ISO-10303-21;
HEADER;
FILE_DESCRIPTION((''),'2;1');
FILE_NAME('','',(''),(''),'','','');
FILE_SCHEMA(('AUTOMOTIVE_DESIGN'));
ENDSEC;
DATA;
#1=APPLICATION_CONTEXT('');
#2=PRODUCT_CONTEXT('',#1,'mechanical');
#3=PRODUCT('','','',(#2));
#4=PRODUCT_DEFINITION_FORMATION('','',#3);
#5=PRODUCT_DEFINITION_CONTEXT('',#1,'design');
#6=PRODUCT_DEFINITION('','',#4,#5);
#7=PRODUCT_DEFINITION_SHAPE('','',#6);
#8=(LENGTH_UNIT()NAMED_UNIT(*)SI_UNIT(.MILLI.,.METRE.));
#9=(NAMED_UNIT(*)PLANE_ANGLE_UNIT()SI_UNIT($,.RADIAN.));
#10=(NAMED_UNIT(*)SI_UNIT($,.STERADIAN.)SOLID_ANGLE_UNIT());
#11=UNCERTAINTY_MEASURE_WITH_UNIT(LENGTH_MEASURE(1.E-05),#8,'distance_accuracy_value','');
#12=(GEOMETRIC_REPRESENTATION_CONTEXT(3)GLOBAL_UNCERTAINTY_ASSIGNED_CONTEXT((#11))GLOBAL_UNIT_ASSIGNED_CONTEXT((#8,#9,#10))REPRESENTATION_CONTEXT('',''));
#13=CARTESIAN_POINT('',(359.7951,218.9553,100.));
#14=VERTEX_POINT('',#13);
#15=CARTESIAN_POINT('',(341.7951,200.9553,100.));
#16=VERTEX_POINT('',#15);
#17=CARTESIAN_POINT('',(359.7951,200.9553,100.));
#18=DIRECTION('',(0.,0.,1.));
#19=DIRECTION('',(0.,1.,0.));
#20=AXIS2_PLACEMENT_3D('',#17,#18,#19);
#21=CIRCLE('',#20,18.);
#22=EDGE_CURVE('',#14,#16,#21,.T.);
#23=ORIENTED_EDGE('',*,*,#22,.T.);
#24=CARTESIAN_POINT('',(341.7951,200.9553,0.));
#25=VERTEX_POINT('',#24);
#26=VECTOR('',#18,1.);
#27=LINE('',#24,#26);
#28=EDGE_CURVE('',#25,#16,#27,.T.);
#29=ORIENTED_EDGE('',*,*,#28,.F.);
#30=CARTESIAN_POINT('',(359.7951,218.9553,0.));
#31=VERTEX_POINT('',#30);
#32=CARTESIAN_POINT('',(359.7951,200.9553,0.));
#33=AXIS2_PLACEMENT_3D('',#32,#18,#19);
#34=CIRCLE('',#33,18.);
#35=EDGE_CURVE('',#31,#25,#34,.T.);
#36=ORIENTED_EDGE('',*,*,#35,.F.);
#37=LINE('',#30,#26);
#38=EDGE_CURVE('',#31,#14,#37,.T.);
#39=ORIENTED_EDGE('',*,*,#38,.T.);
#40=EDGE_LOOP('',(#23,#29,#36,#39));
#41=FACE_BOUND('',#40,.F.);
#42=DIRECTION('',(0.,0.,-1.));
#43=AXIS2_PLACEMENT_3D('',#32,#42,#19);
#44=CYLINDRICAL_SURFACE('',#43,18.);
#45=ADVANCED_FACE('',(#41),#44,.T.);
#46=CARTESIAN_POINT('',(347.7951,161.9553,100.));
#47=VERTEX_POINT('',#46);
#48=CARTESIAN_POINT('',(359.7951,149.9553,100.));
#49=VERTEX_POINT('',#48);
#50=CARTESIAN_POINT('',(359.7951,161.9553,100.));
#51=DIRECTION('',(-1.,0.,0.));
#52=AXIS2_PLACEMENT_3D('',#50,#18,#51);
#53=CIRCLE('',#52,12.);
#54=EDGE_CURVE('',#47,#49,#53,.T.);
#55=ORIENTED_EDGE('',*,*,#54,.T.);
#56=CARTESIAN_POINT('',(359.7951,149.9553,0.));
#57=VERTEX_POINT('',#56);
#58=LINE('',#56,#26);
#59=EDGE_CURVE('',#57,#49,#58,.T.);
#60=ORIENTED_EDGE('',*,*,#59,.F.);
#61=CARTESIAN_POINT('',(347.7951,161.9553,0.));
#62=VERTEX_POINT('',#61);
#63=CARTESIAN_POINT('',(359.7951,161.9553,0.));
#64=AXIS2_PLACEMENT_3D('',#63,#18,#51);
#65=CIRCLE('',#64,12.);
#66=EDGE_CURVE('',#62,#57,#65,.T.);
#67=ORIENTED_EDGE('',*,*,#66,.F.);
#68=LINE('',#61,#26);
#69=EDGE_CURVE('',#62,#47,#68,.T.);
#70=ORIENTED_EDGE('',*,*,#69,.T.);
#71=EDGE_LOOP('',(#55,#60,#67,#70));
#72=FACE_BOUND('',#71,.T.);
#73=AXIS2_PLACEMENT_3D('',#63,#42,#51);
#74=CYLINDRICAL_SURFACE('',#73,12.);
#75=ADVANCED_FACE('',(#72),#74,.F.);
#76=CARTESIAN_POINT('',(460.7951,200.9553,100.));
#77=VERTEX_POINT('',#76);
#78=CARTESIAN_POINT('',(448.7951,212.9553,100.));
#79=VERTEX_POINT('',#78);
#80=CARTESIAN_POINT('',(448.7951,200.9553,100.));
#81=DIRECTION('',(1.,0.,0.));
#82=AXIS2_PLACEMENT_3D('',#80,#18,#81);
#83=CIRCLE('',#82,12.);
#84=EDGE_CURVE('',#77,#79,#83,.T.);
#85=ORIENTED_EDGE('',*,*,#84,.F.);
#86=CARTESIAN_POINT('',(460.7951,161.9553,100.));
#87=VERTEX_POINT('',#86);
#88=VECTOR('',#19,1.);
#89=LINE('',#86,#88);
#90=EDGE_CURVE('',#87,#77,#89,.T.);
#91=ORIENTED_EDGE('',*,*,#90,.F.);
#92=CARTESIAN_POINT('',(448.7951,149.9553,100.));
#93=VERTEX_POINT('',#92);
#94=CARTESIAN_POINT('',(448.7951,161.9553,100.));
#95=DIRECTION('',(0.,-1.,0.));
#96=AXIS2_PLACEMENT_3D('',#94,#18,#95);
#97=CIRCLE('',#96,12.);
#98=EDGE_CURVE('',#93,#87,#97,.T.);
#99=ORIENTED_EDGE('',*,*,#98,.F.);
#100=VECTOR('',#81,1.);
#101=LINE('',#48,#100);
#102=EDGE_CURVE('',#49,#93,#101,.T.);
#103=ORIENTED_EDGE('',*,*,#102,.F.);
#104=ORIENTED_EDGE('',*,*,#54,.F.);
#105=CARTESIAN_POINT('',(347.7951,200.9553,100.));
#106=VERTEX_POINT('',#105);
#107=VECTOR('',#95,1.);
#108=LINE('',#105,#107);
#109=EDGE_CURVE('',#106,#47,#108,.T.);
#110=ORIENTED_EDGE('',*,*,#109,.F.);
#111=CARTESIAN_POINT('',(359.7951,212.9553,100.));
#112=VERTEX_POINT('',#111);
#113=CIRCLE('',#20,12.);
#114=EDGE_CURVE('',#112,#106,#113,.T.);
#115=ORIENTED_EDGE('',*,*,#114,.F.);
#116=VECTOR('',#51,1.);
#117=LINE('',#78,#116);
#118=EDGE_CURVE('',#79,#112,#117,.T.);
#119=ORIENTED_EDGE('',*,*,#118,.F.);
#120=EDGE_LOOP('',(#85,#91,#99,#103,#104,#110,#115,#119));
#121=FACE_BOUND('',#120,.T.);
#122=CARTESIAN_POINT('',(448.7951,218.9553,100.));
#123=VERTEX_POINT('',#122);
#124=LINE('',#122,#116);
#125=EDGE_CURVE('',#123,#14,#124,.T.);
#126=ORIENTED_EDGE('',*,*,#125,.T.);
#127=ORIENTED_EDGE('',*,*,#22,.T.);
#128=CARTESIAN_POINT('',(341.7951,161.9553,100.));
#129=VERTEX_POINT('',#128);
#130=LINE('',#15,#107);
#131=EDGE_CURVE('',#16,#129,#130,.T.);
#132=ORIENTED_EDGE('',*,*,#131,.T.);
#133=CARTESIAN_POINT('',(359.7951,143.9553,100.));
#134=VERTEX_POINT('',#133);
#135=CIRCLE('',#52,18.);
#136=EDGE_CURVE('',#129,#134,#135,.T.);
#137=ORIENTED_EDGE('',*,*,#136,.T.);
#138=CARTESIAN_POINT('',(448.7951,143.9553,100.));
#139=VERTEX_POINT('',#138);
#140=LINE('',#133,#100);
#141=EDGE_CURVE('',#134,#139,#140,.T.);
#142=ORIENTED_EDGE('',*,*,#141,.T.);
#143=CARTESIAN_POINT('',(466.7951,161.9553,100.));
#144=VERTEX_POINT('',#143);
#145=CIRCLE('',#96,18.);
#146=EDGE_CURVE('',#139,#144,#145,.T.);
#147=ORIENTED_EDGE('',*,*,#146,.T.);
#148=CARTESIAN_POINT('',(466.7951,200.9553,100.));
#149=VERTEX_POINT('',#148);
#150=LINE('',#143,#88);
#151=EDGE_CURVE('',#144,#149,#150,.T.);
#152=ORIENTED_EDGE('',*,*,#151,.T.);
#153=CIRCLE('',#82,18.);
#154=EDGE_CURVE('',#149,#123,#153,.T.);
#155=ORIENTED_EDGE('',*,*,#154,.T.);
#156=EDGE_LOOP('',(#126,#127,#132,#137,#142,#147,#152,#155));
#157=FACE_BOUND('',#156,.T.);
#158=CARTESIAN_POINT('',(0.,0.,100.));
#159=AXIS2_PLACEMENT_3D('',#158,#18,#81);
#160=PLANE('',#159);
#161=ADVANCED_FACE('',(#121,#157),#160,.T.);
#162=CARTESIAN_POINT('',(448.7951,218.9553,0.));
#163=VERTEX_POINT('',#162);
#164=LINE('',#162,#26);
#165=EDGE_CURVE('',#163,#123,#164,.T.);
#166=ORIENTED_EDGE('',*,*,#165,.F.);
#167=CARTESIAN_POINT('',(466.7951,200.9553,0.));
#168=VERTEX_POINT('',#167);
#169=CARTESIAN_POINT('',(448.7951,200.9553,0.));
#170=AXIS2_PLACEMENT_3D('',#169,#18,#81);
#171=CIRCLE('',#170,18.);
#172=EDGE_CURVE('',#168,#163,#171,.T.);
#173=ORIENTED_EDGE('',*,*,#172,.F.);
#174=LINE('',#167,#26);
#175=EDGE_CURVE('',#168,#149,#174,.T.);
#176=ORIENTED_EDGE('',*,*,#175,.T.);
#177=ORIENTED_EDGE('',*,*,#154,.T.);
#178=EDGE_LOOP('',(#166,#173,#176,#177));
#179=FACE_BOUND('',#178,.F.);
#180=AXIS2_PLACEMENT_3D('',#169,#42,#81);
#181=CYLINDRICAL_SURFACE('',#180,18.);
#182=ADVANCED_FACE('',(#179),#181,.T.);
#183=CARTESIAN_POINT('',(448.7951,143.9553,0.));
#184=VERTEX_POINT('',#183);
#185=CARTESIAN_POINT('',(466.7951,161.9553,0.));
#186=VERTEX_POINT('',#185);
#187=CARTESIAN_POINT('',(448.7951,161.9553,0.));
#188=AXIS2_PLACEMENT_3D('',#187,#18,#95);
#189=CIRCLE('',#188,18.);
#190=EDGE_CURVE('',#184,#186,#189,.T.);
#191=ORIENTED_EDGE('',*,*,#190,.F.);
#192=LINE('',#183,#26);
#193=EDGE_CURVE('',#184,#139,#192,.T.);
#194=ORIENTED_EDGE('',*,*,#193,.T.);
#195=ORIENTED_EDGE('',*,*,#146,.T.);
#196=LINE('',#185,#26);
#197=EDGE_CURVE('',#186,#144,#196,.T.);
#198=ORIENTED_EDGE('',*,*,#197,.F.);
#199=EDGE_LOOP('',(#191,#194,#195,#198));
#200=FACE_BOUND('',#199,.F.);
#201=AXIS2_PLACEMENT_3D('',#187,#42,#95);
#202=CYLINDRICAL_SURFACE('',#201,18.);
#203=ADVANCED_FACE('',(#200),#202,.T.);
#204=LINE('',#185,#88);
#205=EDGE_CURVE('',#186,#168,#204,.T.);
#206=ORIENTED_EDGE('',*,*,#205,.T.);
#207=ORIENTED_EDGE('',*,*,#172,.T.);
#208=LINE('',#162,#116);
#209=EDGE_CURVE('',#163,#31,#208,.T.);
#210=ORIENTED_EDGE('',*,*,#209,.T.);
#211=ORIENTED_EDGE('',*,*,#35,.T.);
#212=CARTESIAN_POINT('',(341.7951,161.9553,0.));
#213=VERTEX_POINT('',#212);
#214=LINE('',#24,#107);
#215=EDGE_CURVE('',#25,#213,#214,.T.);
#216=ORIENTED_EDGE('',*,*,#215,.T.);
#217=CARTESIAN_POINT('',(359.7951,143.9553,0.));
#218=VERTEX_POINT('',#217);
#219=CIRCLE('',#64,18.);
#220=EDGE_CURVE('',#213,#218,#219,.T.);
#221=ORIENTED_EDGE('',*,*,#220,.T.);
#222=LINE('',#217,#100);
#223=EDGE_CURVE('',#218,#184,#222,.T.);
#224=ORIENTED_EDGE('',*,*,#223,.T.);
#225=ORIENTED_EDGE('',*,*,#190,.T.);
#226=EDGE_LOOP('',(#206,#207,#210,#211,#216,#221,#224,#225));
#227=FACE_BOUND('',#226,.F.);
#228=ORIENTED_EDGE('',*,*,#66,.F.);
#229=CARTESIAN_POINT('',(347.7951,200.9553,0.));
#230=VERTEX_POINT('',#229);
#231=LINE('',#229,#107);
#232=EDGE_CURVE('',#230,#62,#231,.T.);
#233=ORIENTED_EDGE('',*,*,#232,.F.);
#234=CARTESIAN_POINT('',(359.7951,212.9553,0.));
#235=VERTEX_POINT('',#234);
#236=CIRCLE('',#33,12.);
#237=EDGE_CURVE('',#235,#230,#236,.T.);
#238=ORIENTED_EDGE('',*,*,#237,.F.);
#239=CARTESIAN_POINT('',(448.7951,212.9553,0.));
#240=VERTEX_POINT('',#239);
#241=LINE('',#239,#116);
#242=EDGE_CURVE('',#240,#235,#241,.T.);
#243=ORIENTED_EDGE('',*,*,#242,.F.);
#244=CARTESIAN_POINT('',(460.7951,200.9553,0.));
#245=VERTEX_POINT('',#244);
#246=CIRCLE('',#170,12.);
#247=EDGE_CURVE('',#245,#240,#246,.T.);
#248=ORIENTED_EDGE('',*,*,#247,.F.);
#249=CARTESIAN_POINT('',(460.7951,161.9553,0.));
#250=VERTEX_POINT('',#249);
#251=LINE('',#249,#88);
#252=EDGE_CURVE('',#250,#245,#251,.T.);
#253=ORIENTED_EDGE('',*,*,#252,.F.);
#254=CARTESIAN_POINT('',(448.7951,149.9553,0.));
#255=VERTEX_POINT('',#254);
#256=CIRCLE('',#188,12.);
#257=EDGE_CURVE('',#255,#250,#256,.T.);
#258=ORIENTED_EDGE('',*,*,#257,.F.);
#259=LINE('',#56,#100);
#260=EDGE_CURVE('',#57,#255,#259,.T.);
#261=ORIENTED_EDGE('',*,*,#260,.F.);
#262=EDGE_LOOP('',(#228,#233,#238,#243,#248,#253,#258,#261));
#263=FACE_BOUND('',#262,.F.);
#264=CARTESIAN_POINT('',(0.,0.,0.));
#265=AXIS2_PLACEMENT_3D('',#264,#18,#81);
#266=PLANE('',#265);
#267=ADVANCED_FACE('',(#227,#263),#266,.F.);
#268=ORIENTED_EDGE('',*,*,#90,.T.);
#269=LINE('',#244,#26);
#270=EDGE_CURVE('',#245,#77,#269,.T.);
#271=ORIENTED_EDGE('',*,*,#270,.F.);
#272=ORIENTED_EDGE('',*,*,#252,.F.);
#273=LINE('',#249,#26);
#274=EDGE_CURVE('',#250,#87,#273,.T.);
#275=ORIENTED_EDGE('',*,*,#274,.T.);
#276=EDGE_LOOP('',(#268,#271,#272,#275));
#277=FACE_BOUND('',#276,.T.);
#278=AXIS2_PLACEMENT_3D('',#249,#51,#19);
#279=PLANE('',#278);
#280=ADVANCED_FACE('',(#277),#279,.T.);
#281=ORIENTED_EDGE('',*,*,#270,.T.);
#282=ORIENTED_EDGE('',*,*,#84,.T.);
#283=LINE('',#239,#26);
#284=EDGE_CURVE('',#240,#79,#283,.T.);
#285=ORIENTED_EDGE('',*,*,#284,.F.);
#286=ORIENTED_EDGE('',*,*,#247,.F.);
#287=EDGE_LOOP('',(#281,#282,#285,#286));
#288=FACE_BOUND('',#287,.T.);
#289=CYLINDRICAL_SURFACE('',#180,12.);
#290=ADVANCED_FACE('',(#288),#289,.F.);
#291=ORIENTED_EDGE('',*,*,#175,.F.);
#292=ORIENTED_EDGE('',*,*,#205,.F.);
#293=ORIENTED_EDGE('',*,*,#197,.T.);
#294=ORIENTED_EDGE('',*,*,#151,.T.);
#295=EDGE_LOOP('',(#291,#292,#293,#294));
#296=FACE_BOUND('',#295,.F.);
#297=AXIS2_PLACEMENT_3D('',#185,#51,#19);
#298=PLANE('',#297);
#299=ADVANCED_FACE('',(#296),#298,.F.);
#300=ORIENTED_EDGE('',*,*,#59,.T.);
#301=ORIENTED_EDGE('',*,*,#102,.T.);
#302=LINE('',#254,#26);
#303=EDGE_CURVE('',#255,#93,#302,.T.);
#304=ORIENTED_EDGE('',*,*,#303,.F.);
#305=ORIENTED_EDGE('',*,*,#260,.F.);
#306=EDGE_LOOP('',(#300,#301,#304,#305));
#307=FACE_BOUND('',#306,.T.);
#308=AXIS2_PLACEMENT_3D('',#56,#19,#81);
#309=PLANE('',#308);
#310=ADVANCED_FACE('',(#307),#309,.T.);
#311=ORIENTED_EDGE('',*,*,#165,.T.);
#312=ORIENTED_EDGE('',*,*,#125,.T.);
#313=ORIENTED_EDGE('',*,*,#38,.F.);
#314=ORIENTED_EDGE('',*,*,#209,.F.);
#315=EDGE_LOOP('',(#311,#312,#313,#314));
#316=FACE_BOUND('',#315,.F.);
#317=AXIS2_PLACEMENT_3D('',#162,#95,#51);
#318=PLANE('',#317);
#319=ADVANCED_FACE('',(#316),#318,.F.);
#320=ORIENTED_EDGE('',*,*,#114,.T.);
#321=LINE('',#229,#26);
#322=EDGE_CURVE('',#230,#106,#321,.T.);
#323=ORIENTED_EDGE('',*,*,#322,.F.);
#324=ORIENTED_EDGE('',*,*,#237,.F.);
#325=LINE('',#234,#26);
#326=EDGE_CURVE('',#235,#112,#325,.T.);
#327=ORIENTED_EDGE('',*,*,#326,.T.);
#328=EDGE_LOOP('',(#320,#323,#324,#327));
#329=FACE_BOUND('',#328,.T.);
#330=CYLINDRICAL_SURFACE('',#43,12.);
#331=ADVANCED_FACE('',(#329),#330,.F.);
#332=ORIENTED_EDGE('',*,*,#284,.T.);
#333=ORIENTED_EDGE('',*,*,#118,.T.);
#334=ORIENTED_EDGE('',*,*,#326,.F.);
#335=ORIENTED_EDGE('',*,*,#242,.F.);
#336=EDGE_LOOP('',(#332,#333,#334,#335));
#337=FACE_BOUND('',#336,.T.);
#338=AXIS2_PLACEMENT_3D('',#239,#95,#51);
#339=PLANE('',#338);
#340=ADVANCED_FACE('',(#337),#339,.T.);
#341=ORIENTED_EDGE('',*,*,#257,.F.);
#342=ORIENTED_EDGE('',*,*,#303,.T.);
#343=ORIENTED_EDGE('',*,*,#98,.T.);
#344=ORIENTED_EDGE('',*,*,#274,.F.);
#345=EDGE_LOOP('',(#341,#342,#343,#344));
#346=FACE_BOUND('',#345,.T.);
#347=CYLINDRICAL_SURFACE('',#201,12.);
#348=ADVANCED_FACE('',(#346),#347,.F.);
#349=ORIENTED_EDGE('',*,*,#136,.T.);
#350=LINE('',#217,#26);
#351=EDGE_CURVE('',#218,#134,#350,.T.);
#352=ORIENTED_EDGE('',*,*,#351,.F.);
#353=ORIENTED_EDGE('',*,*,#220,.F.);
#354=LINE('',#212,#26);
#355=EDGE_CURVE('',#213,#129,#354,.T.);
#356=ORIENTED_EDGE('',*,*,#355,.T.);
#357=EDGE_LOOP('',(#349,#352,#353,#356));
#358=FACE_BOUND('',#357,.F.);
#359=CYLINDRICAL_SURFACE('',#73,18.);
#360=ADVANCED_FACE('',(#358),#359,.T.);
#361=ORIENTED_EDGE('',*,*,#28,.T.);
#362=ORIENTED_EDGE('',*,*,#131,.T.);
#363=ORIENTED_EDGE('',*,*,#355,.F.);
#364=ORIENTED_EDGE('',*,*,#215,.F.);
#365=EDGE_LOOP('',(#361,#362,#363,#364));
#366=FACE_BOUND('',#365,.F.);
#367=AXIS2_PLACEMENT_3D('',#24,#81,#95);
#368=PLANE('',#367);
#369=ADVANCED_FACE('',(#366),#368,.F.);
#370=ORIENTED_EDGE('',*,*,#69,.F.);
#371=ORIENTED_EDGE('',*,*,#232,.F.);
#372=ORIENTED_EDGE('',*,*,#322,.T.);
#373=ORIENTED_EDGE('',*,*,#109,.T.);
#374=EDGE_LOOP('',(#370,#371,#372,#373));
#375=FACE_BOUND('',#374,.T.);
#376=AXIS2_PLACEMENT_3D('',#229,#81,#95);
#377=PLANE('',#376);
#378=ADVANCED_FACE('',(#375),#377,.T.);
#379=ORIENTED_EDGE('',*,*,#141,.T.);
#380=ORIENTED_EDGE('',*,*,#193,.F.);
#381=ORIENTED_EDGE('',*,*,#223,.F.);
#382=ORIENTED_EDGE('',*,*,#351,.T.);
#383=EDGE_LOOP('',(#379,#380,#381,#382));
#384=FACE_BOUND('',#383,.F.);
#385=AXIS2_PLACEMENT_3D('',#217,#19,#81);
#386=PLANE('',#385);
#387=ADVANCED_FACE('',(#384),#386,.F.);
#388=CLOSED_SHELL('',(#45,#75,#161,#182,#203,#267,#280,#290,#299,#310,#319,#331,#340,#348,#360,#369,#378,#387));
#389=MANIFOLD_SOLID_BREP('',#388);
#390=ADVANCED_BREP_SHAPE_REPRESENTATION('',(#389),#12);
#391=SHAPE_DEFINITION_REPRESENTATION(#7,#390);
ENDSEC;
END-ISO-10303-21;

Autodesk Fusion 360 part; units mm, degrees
sketch "スケッチ1" plane through (0, 0, 0) normal (0, 0, 1) x (1, 0, 0)
  arc A0 (448.7951, 143.9553) -> (466.7951, 161.9553) centre (448.7951, 161.9553) ccw
  arc A1 (448.7951, 149.9553) -> (460.7951, 161.9553) centre (448.7951, 161.9553) ccw
  arc A2 (341.7951, 161.9553) -> (359.7951, 143.9553) centre (359.7951, 161.9553) ccw
  arc A3 (347.7951, 161.9553) -> (359.7951, 149.9553) centre (359.7951, 161.9553) ccw
  line L0 (359.7951, 143.9553) -> (448.7951, 143.9553)
  line L1 (359.7951, 149.9553) -> (448.7951, 149.9553)
  line L2 (448.7951, 218.9553) -> (359.7951, 218.9553)
  line L3 (448.7951, 212.9553) -> (359.7951, 212.9553)
  line L4 (341.7951, 200.9553) -> (341.7951, 161.9553)
  line L5 (347.7951, 200.9553) -> (347.7951, 161.9553)
  arc A4 (359.7951, 218.9553) -> (341.7951, 200.9553) centre (359.7951, 200.9553) ccw
  arc A5 (359.7951, 212.9553) -> (347.7951, 200.9553) centre (359.7951, 200.9553) ccw
  line L6 (466.7951, 161.9553) -> (466.7951, 200.9553)
  line L7 (460.7951, 161.9553) -> (460.7951, 200.9553)
  arc A6 (466.7951, 200.9553) -> (448.7951, 218.9553) centre (448.7951, 200.9553) ccw
  arc A7 (460.7951, 200.9553) -> (448.7951, 212.9553) centre (448.7951, 200.9553) ccw
  point P0 (404.2951, 181.4553)
extrude "押し出し1" add sketch "スケッチ1" along normal blind 100
